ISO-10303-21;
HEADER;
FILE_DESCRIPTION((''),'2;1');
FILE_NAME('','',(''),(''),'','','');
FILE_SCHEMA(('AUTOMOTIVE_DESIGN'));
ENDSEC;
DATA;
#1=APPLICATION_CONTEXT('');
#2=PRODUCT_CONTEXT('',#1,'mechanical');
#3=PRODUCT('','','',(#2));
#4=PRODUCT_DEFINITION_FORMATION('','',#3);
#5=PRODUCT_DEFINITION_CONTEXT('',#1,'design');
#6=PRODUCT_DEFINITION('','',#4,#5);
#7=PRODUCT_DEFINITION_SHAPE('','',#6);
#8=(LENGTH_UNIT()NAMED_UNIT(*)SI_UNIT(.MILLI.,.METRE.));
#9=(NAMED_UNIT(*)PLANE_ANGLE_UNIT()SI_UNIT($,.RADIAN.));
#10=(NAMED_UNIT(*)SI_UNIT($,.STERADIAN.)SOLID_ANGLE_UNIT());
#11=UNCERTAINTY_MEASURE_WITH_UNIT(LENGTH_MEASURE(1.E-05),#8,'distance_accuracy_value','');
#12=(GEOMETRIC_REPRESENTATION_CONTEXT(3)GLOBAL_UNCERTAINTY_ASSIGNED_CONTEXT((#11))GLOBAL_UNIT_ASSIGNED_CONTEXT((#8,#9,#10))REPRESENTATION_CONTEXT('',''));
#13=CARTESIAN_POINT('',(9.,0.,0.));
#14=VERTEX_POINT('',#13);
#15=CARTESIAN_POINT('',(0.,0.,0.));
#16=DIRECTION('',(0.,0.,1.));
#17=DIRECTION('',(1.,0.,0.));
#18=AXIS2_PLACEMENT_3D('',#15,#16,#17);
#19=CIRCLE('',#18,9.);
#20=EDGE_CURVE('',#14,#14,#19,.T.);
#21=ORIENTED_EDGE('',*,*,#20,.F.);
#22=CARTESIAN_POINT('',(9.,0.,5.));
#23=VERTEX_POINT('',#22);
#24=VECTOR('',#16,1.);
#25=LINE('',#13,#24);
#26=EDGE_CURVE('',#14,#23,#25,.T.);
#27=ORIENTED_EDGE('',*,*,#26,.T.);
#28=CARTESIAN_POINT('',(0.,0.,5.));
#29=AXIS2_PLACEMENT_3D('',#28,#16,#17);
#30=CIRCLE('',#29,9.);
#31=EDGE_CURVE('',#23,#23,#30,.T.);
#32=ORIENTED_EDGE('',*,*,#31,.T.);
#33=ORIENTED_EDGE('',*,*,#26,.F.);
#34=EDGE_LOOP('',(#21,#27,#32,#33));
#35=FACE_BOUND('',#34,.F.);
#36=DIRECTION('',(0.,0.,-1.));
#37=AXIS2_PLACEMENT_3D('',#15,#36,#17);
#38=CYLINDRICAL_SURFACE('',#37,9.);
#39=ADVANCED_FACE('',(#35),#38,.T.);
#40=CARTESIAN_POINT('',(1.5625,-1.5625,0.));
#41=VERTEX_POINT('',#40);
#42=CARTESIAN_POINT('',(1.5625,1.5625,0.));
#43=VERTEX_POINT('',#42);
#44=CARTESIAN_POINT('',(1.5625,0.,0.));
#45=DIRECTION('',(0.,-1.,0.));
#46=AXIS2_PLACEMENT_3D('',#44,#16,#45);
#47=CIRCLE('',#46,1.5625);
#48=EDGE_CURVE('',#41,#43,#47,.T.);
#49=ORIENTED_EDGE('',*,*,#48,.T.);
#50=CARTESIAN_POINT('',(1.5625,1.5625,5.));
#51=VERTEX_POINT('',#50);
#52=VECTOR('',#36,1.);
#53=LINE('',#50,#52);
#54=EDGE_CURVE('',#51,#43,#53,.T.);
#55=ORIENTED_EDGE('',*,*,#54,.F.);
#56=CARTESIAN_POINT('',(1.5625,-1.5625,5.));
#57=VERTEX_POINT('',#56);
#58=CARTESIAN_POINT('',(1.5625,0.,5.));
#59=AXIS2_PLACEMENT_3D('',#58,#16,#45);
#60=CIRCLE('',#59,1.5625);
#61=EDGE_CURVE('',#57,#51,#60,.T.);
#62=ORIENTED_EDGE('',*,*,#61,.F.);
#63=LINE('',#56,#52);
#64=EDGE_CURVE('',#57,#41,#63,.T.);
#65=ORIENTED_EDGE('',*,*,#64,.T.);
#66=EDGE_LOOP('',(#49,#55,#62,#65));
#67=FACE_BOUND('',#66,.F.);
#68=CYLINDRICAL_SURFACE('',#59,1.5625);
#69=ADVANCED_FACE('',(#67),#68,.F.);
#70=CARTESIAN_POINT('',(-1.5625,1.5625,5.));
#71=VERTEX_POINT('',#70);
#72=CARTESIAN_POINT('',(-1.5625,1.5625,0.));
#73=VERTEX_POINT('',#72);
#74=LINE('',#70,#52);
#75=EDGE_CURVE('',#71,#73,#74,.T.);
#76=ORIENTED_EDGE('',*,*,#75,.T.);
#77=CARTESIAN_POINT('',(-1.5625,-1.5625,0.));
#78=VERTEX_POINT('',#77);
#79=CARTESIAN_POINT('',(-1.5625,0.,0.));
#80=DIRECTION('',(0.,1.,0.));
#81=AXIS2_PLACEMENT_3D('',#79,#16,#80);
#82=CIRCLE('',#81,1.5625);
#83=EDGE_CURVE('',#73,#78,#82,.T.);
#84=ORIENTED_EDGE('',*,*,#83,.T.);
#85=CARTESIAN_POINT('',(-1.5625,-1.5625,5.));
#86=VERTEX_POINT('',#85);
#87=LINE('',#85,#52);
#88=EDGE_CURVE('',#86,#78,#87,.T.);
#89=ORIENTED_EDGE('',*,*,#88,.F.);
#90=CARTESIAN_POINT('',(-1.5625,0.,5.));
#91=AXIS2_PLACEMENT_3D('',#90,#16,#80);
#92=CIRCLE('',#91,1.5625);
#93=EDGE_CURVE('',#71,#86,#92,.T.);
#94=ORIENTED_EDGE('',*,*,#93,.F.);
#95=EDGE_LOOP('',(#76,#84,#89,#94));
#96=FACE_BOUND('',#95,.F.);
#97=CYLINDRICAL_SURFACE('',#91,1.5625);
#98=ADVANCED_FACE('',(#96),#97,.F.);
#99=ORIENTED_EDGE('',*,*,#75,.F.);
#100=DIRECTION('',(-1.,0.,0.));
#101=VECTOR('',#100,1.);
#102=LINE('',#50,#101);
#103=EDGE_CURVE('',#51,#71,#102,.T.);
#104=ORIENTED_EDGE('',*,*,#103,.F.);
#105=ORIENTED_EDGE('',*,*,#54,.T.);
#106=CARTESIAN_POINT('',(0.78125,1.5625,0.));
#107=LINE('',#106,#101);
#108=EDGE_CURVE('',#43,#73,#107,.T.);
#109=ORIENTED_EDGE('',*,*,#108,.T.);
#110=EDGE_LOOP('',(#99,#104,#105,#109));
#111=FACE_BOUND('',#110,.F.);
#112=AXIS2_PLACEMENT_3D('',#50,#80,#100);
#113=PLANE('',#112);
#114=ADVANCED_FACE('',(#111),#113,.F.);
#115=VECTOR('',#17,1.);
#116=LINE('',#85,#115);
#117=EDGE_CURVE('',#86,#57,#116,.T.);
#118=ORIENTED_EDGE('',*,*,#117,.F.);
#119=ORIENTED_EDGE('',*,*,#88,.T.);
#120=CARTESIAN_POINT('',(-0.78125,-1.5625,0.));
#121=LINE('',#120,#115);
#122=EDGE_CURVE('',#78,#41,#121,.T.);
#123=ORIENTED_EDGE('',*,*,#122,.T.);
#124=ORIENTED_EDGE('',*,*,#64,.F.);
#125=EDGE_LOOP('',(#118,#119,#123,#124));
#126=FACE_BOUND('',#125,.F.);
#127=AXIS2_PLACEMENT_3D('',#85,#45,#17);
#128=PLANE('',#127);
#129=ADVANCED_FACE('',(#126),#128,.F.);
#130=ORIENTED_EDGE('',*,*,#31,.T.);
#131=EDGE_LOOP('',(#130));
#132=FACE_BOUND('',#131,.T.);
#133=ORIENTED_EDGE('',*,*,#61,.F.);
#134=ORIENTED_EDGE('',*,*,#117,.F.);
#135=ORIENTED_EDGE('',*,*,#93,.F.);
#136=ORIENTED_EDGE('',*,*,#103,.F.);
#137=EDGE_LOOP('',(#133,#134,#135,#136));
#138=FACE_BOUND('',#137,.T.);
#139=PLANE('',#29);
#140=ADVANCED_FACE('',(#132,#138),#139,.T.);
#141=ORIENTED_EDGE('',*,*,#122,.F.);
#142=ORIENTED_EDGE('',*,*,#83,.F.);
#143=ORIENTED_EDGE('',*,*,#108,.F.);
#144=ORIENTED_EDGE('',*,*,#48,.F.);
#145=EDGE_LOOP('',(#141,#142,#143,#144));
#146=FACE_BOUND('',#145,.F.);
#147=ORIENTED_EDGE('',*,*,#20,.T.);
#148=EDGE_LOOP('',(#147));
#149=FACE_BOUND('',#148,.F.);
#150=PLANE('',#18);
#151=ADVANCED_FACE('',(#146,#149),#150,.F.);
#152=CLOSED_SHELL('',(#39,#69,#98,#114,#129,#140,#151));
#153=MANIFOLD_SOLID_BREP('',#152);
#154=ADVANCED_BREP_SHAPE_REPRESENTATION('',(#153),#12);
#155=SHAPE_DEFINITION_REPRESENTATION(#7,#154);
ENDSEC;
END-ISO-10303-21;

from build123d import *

# Parameters (mm, degrees)
F0_R     = 9
F1_DEPTH = 5
F4_DEPTH = 25


with BuildPart() as f1:
    # F0 (on Top) → F1 (new body)
    with BuildSketch(Plane.XY):
        Circle(F0_R)
    extrude(amount=F1_DEPTH)

    # F3 (on face) → F4 (cut)
    with BuildSketch(Plane.XY.offset(5)):
        with BuildLine():
            Line((-1.5625, -1.5625), (1.5625, -1.5625))
            ThreePointArc((1.5625, -1.5625), (3.125, 0), (1.5625, 1.5625))
            Line((1.5625, 1.5625), (-1.5625, 1.5625))
            ThreePointArc((-1.5625, 1.5625), (-3.125, 0), (-1.5625, -1.5625))
        make_face()
    extrude(amount=-F4_DEPTH, mode=Mode.SUBTRACT)


solid = f1.part
